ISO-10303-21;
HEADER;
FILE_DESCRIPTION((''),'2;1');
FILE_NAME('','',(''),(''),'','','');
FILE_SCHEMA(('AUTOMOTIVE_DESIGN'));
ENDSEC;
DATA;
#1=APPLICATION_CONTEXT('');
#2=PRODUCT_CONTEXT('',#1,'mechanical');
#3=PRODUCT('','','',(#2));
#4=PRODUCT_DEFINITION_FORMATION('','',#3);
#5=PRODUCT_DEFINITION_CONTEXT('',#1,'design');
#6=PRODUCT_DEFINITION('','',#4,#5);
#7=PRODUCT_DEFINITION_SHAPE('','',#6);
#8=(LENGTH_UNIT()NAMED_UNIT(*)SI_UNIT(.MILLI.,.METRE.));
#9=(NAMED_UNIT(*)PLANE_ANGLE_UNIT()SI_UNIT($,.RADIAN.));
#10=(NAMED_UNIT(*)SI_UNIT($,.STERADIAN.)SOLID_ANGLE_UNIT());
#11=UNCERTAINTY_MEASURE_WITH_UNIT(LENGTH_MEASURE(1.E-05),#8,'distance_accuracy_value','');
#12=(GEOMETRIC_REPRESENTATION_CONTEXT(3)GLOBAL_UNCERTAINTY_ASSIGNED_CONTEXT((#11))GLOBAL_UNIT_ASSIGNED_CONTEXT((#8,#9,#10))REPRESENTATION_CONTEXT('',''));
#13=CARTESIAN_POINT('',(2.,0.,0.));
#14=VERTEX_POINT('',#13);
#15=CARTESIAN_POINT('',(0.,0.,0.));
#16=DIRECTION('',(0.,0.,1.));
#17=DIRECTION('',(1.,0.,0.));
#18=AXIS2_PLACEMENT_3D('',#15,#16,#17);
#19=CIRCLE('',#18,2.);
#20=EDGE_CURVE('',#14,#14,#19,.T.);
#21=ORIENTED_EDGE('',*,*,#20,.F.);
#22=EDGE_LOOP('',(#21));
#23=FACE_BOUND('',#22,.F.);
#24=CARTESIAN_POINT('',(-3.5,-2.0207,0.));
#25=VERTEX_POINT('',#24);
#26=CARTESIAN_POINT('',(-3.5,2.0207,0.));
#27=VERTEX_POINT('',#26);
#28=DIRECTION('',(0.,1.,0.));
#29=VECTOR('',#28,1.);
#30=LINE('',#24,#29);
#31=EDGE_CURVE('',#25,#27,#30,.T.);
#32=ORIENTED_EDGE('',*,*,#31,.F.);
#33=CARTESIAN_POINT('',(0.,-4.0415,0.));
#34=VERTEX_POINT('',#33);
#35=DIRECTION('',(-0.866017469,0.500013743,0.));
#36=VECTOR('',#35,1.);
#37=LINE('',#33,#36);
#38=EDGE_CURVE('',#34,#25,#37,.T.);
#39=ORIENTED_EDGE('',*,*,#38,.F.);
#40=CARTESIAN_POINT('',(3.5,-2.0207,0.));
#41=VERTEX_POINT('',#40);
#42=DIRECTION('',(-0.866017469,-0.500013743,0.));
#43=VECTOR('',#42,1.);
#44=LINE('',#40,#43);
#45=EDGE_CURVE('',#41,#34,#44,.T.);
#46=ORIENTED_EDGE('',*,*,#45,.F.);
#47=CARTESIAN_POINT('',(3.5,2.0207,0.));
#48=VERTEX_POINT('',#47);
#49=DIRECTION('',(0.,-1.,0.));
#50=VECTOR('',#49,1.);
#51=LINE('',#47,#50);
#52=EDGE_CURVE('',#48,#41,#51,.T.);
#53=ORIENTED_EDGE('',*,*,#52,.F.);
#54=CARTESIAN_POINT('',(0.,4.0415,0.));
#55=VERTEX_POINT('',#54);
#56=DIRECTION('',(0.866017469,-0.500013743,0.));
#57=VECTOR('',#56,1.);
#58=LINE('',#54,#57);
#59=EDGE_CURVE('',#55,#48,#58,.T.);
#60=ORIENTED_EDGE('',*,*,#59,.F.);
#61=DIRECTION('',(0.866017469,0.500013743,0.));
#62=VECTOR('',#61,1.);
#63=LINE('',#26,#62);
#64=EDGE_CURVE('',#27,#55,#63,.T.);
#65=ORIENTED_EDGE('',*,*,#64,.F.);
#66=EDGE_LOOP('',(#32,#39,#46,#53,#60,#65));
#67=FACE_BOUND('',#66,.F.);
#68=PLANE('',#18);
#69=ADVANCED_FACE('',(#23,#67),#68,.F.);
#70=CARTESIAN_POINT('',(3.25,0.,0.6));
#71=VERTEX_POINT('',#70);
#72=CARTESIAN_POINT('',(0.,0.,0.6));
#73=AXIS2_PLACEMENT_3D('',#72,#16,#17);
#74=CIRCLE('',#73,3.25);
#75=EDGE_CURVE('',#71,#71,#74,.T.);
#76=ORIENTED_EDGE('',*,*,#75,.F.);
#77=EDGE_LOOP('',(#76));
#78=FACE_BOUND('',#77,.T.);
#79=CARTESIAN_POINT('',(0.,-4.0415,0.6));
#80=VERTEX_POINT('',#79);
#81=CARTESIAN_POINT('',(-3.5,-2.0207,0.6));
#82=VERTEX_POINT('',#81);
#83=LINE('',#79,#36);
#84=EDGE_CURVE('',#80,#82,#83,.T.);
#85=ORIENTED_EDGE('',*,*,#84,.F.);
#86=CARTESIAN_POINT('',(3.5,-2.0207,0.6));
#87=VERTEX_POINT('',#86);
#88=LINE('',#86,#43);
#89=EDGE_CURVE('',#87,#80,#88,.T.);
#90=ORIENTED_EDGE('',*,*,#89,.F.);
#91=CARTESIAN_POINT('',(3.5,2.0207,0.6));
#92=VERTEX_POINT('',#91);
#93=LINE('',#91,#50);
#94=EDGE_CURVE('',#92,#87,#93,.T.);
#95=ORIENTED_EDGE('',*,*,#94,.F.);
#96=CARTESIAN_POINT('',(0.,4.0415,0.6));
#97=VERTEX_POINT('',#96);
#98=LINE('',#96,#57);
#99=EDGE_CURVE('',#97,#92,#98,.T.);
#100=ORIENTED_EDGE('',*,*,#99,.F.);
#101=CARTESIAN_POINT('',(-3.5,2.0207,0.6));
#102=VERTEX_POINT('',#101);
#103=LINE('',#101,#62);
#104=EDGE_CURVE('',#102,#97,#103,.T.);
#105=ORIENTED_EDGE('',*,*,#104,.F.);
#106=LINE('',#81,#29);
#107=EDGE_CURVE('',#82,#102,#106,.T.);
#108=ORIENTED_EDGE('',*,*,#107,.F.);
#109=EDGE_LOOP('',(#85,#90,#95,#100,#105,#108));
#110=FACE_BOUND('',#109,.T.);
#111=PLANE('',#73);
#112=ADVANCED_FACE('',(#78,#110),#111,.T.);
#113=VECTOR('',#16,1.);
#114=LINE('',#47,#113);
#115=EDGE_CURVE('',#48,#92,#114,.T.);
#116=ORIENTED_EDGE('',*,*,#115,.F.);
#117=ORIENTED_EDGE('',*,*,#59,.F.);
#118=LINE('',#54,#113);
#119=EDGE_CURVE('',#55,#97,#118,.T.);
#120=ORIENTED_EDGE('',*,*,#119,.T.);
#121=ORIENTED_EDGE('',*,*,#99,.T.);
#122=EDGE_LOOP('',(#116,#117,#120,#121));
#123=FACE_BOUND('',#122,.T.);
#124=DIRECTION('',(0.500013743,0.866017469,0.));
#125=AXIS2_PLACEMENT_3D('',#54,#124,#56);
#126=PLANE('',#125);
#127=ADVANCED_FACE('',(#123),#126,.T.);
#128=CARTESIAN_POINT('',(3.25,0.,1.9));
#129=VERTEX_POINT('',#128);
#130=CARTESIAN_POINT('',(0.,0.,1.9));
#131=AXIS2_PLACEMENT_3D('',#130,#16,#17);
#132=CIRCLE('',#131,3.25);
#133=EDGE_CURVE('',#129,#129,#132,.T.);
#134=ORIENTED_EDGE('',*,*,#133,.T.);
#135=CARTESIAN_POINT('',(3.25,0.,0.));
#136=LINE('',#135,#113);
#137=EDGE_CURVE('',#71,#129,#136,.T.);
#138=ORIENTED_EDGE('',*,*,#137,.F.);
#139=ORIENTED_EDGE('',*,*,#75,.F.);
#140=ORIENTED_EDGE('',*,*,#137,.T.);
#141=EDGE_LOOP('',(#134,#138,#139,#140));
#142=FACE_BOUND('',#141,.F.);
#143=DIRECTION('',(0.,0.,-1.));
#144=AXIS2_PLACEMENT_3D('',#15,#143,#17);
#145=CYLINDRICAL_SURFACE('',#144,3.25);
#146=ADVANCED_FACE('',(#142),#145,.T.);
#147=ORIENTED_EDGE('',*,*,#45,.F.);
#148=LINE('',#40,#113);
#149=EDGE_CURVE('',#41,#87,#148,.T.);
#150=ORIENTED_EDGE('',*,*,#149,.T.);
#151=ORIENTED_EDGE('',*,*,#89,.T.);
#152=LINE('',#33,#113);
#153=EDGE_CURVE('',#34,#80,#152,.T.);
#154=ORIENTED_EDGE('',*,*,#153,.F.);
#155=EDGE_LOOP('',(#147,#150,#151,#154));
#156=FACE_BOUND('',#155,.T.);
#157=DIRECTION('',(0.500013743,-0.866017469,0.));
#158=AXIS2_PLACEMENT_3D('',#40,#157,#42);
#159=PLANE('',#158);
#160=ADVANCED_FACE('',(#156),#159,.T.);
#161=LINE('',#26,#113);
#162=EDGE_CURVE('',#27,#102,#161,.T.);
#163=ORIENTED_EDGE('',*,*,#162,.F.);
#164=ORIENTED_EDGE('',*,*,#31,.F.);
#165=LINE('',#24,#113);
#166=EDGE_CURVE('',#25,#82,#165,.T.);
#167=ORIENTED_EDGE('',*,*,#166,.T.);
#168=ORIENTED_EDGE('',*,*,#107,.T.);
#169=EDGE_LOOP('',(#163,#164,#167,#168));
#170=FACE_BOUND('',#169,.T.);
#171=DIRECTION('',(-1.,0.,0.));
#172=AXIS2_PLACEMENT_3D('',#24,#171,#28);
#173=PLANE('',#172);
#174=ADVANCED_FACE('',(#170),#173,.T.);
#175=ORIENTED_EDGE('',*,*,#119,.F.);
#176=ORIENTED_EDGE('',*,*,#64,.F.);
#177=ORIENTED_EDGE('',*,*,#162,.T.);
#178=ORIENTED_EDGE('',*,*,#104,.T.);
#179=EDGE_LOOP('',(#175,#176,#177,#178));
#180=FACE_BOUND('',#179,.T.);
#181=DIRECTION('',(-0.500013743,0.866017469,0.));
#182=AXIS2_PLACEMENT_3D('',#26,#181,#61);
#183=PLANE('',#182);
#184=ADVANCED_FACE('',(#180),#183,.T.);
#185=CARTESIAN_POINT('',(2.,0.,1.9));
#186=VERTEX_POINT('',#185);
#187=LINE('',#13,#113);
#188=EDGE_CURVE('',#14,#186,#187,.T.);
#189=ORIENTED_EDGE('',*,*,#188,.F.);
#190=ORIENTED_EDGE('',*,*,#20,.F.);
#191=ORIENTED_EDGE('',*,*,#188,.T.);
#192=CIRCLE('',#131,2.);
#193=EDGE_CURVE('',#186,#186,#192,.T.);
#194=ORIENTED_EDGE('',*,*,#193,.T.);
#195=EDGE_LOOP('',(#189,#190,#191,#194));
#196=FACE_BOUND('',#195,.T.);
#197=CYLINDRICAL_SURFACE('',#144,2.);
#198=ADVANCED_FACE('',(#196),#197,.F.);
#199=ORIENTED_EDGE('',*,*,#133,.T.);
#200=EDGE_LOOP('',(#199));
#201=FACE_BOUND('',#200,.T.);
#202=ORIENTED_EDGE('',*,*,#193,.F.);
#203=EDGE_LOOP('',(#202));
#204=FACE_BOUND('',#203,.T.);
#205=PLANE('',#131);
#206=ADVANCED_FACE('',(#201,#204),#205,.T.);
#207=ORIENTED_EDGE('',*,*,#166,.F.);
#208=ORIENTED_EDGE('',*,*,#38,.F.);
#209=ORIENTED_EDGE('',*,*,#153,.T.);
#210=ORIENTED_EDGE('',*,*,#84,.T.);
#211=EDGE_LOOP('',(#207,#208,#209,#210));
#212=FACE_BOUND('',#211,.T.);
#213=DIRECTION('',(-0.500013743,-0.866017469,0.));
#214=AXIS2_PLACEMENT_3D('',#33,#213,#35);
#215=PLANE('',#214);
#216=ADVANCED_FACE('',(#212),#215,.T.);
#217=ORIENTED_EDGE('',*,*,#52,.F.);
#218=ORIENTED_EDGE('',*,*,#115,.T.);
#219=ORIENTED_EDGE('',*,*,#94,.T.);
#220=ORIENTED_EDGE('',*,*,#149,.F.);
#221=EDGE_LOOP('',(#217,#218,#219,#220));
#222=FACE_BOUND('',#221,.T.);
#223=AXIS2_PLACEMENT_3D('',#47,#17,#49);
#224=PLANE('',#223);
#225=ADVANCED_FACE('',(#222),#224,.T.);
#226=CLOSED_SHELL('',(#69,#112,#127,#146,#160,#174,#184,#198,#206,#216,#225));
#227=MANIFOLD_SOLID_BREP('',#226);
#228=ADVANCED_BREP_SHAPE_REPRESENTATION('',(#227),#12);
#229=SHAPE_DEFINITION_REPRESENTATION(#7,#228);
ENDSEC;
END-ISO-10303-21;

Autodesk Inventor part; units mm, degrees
ref_plane "YZ Plane" through (0, 0, 0) normal (1, 0, 0) x (0, 1, 0)
ref_plane "XZ Plane" through (0, 0, 0) normal (0, 1, 0) x (-1, 0, 0)
ref_plane "XY Plane" through (0, 0, 0) normal (0, 0, 1) x (1, 0, 0)
sketch "スケッチ1" plane through (0, 0, 0) normal (0, 0, 1) x (1, 0, 0)
  circle A0 centre (0, 0) radius 3.25
  circle A1 centre (0, 0) radius 2
  line L0 (0, -4.0415) -> (-3.5, -2.0207)
  line L1 (-3.5, -2.0207) -> (-3.5, 2.0207)
  line L2 (-3.5, 2.0207) -> (0, 4.0415)
  line L3 (0, 4.0415) -> (3.5, 2.0207)
  line L4 (3.5, 2.0207) -> (3.5, -2.0207)
  line L5 (3.5, -2.0207) -> (0, -4.0415)
  dimension "d0" = 6.5
  dimension "d1" = 4
  dimension "d2" = 7
extrude "押し出し1" add sketch "スケッチ1" along normal blind 1.9 contours A0
extrude "押し出し2" add sketch "スケッチ1" along normal blind 0.6 contours L0 L1 L2 L3 L4 L5
thread "ねじ1" size "M4x0.7" class "6H" standard "ANSI Metric M Profile" full length
properties part number "SF419" material "チタン"
